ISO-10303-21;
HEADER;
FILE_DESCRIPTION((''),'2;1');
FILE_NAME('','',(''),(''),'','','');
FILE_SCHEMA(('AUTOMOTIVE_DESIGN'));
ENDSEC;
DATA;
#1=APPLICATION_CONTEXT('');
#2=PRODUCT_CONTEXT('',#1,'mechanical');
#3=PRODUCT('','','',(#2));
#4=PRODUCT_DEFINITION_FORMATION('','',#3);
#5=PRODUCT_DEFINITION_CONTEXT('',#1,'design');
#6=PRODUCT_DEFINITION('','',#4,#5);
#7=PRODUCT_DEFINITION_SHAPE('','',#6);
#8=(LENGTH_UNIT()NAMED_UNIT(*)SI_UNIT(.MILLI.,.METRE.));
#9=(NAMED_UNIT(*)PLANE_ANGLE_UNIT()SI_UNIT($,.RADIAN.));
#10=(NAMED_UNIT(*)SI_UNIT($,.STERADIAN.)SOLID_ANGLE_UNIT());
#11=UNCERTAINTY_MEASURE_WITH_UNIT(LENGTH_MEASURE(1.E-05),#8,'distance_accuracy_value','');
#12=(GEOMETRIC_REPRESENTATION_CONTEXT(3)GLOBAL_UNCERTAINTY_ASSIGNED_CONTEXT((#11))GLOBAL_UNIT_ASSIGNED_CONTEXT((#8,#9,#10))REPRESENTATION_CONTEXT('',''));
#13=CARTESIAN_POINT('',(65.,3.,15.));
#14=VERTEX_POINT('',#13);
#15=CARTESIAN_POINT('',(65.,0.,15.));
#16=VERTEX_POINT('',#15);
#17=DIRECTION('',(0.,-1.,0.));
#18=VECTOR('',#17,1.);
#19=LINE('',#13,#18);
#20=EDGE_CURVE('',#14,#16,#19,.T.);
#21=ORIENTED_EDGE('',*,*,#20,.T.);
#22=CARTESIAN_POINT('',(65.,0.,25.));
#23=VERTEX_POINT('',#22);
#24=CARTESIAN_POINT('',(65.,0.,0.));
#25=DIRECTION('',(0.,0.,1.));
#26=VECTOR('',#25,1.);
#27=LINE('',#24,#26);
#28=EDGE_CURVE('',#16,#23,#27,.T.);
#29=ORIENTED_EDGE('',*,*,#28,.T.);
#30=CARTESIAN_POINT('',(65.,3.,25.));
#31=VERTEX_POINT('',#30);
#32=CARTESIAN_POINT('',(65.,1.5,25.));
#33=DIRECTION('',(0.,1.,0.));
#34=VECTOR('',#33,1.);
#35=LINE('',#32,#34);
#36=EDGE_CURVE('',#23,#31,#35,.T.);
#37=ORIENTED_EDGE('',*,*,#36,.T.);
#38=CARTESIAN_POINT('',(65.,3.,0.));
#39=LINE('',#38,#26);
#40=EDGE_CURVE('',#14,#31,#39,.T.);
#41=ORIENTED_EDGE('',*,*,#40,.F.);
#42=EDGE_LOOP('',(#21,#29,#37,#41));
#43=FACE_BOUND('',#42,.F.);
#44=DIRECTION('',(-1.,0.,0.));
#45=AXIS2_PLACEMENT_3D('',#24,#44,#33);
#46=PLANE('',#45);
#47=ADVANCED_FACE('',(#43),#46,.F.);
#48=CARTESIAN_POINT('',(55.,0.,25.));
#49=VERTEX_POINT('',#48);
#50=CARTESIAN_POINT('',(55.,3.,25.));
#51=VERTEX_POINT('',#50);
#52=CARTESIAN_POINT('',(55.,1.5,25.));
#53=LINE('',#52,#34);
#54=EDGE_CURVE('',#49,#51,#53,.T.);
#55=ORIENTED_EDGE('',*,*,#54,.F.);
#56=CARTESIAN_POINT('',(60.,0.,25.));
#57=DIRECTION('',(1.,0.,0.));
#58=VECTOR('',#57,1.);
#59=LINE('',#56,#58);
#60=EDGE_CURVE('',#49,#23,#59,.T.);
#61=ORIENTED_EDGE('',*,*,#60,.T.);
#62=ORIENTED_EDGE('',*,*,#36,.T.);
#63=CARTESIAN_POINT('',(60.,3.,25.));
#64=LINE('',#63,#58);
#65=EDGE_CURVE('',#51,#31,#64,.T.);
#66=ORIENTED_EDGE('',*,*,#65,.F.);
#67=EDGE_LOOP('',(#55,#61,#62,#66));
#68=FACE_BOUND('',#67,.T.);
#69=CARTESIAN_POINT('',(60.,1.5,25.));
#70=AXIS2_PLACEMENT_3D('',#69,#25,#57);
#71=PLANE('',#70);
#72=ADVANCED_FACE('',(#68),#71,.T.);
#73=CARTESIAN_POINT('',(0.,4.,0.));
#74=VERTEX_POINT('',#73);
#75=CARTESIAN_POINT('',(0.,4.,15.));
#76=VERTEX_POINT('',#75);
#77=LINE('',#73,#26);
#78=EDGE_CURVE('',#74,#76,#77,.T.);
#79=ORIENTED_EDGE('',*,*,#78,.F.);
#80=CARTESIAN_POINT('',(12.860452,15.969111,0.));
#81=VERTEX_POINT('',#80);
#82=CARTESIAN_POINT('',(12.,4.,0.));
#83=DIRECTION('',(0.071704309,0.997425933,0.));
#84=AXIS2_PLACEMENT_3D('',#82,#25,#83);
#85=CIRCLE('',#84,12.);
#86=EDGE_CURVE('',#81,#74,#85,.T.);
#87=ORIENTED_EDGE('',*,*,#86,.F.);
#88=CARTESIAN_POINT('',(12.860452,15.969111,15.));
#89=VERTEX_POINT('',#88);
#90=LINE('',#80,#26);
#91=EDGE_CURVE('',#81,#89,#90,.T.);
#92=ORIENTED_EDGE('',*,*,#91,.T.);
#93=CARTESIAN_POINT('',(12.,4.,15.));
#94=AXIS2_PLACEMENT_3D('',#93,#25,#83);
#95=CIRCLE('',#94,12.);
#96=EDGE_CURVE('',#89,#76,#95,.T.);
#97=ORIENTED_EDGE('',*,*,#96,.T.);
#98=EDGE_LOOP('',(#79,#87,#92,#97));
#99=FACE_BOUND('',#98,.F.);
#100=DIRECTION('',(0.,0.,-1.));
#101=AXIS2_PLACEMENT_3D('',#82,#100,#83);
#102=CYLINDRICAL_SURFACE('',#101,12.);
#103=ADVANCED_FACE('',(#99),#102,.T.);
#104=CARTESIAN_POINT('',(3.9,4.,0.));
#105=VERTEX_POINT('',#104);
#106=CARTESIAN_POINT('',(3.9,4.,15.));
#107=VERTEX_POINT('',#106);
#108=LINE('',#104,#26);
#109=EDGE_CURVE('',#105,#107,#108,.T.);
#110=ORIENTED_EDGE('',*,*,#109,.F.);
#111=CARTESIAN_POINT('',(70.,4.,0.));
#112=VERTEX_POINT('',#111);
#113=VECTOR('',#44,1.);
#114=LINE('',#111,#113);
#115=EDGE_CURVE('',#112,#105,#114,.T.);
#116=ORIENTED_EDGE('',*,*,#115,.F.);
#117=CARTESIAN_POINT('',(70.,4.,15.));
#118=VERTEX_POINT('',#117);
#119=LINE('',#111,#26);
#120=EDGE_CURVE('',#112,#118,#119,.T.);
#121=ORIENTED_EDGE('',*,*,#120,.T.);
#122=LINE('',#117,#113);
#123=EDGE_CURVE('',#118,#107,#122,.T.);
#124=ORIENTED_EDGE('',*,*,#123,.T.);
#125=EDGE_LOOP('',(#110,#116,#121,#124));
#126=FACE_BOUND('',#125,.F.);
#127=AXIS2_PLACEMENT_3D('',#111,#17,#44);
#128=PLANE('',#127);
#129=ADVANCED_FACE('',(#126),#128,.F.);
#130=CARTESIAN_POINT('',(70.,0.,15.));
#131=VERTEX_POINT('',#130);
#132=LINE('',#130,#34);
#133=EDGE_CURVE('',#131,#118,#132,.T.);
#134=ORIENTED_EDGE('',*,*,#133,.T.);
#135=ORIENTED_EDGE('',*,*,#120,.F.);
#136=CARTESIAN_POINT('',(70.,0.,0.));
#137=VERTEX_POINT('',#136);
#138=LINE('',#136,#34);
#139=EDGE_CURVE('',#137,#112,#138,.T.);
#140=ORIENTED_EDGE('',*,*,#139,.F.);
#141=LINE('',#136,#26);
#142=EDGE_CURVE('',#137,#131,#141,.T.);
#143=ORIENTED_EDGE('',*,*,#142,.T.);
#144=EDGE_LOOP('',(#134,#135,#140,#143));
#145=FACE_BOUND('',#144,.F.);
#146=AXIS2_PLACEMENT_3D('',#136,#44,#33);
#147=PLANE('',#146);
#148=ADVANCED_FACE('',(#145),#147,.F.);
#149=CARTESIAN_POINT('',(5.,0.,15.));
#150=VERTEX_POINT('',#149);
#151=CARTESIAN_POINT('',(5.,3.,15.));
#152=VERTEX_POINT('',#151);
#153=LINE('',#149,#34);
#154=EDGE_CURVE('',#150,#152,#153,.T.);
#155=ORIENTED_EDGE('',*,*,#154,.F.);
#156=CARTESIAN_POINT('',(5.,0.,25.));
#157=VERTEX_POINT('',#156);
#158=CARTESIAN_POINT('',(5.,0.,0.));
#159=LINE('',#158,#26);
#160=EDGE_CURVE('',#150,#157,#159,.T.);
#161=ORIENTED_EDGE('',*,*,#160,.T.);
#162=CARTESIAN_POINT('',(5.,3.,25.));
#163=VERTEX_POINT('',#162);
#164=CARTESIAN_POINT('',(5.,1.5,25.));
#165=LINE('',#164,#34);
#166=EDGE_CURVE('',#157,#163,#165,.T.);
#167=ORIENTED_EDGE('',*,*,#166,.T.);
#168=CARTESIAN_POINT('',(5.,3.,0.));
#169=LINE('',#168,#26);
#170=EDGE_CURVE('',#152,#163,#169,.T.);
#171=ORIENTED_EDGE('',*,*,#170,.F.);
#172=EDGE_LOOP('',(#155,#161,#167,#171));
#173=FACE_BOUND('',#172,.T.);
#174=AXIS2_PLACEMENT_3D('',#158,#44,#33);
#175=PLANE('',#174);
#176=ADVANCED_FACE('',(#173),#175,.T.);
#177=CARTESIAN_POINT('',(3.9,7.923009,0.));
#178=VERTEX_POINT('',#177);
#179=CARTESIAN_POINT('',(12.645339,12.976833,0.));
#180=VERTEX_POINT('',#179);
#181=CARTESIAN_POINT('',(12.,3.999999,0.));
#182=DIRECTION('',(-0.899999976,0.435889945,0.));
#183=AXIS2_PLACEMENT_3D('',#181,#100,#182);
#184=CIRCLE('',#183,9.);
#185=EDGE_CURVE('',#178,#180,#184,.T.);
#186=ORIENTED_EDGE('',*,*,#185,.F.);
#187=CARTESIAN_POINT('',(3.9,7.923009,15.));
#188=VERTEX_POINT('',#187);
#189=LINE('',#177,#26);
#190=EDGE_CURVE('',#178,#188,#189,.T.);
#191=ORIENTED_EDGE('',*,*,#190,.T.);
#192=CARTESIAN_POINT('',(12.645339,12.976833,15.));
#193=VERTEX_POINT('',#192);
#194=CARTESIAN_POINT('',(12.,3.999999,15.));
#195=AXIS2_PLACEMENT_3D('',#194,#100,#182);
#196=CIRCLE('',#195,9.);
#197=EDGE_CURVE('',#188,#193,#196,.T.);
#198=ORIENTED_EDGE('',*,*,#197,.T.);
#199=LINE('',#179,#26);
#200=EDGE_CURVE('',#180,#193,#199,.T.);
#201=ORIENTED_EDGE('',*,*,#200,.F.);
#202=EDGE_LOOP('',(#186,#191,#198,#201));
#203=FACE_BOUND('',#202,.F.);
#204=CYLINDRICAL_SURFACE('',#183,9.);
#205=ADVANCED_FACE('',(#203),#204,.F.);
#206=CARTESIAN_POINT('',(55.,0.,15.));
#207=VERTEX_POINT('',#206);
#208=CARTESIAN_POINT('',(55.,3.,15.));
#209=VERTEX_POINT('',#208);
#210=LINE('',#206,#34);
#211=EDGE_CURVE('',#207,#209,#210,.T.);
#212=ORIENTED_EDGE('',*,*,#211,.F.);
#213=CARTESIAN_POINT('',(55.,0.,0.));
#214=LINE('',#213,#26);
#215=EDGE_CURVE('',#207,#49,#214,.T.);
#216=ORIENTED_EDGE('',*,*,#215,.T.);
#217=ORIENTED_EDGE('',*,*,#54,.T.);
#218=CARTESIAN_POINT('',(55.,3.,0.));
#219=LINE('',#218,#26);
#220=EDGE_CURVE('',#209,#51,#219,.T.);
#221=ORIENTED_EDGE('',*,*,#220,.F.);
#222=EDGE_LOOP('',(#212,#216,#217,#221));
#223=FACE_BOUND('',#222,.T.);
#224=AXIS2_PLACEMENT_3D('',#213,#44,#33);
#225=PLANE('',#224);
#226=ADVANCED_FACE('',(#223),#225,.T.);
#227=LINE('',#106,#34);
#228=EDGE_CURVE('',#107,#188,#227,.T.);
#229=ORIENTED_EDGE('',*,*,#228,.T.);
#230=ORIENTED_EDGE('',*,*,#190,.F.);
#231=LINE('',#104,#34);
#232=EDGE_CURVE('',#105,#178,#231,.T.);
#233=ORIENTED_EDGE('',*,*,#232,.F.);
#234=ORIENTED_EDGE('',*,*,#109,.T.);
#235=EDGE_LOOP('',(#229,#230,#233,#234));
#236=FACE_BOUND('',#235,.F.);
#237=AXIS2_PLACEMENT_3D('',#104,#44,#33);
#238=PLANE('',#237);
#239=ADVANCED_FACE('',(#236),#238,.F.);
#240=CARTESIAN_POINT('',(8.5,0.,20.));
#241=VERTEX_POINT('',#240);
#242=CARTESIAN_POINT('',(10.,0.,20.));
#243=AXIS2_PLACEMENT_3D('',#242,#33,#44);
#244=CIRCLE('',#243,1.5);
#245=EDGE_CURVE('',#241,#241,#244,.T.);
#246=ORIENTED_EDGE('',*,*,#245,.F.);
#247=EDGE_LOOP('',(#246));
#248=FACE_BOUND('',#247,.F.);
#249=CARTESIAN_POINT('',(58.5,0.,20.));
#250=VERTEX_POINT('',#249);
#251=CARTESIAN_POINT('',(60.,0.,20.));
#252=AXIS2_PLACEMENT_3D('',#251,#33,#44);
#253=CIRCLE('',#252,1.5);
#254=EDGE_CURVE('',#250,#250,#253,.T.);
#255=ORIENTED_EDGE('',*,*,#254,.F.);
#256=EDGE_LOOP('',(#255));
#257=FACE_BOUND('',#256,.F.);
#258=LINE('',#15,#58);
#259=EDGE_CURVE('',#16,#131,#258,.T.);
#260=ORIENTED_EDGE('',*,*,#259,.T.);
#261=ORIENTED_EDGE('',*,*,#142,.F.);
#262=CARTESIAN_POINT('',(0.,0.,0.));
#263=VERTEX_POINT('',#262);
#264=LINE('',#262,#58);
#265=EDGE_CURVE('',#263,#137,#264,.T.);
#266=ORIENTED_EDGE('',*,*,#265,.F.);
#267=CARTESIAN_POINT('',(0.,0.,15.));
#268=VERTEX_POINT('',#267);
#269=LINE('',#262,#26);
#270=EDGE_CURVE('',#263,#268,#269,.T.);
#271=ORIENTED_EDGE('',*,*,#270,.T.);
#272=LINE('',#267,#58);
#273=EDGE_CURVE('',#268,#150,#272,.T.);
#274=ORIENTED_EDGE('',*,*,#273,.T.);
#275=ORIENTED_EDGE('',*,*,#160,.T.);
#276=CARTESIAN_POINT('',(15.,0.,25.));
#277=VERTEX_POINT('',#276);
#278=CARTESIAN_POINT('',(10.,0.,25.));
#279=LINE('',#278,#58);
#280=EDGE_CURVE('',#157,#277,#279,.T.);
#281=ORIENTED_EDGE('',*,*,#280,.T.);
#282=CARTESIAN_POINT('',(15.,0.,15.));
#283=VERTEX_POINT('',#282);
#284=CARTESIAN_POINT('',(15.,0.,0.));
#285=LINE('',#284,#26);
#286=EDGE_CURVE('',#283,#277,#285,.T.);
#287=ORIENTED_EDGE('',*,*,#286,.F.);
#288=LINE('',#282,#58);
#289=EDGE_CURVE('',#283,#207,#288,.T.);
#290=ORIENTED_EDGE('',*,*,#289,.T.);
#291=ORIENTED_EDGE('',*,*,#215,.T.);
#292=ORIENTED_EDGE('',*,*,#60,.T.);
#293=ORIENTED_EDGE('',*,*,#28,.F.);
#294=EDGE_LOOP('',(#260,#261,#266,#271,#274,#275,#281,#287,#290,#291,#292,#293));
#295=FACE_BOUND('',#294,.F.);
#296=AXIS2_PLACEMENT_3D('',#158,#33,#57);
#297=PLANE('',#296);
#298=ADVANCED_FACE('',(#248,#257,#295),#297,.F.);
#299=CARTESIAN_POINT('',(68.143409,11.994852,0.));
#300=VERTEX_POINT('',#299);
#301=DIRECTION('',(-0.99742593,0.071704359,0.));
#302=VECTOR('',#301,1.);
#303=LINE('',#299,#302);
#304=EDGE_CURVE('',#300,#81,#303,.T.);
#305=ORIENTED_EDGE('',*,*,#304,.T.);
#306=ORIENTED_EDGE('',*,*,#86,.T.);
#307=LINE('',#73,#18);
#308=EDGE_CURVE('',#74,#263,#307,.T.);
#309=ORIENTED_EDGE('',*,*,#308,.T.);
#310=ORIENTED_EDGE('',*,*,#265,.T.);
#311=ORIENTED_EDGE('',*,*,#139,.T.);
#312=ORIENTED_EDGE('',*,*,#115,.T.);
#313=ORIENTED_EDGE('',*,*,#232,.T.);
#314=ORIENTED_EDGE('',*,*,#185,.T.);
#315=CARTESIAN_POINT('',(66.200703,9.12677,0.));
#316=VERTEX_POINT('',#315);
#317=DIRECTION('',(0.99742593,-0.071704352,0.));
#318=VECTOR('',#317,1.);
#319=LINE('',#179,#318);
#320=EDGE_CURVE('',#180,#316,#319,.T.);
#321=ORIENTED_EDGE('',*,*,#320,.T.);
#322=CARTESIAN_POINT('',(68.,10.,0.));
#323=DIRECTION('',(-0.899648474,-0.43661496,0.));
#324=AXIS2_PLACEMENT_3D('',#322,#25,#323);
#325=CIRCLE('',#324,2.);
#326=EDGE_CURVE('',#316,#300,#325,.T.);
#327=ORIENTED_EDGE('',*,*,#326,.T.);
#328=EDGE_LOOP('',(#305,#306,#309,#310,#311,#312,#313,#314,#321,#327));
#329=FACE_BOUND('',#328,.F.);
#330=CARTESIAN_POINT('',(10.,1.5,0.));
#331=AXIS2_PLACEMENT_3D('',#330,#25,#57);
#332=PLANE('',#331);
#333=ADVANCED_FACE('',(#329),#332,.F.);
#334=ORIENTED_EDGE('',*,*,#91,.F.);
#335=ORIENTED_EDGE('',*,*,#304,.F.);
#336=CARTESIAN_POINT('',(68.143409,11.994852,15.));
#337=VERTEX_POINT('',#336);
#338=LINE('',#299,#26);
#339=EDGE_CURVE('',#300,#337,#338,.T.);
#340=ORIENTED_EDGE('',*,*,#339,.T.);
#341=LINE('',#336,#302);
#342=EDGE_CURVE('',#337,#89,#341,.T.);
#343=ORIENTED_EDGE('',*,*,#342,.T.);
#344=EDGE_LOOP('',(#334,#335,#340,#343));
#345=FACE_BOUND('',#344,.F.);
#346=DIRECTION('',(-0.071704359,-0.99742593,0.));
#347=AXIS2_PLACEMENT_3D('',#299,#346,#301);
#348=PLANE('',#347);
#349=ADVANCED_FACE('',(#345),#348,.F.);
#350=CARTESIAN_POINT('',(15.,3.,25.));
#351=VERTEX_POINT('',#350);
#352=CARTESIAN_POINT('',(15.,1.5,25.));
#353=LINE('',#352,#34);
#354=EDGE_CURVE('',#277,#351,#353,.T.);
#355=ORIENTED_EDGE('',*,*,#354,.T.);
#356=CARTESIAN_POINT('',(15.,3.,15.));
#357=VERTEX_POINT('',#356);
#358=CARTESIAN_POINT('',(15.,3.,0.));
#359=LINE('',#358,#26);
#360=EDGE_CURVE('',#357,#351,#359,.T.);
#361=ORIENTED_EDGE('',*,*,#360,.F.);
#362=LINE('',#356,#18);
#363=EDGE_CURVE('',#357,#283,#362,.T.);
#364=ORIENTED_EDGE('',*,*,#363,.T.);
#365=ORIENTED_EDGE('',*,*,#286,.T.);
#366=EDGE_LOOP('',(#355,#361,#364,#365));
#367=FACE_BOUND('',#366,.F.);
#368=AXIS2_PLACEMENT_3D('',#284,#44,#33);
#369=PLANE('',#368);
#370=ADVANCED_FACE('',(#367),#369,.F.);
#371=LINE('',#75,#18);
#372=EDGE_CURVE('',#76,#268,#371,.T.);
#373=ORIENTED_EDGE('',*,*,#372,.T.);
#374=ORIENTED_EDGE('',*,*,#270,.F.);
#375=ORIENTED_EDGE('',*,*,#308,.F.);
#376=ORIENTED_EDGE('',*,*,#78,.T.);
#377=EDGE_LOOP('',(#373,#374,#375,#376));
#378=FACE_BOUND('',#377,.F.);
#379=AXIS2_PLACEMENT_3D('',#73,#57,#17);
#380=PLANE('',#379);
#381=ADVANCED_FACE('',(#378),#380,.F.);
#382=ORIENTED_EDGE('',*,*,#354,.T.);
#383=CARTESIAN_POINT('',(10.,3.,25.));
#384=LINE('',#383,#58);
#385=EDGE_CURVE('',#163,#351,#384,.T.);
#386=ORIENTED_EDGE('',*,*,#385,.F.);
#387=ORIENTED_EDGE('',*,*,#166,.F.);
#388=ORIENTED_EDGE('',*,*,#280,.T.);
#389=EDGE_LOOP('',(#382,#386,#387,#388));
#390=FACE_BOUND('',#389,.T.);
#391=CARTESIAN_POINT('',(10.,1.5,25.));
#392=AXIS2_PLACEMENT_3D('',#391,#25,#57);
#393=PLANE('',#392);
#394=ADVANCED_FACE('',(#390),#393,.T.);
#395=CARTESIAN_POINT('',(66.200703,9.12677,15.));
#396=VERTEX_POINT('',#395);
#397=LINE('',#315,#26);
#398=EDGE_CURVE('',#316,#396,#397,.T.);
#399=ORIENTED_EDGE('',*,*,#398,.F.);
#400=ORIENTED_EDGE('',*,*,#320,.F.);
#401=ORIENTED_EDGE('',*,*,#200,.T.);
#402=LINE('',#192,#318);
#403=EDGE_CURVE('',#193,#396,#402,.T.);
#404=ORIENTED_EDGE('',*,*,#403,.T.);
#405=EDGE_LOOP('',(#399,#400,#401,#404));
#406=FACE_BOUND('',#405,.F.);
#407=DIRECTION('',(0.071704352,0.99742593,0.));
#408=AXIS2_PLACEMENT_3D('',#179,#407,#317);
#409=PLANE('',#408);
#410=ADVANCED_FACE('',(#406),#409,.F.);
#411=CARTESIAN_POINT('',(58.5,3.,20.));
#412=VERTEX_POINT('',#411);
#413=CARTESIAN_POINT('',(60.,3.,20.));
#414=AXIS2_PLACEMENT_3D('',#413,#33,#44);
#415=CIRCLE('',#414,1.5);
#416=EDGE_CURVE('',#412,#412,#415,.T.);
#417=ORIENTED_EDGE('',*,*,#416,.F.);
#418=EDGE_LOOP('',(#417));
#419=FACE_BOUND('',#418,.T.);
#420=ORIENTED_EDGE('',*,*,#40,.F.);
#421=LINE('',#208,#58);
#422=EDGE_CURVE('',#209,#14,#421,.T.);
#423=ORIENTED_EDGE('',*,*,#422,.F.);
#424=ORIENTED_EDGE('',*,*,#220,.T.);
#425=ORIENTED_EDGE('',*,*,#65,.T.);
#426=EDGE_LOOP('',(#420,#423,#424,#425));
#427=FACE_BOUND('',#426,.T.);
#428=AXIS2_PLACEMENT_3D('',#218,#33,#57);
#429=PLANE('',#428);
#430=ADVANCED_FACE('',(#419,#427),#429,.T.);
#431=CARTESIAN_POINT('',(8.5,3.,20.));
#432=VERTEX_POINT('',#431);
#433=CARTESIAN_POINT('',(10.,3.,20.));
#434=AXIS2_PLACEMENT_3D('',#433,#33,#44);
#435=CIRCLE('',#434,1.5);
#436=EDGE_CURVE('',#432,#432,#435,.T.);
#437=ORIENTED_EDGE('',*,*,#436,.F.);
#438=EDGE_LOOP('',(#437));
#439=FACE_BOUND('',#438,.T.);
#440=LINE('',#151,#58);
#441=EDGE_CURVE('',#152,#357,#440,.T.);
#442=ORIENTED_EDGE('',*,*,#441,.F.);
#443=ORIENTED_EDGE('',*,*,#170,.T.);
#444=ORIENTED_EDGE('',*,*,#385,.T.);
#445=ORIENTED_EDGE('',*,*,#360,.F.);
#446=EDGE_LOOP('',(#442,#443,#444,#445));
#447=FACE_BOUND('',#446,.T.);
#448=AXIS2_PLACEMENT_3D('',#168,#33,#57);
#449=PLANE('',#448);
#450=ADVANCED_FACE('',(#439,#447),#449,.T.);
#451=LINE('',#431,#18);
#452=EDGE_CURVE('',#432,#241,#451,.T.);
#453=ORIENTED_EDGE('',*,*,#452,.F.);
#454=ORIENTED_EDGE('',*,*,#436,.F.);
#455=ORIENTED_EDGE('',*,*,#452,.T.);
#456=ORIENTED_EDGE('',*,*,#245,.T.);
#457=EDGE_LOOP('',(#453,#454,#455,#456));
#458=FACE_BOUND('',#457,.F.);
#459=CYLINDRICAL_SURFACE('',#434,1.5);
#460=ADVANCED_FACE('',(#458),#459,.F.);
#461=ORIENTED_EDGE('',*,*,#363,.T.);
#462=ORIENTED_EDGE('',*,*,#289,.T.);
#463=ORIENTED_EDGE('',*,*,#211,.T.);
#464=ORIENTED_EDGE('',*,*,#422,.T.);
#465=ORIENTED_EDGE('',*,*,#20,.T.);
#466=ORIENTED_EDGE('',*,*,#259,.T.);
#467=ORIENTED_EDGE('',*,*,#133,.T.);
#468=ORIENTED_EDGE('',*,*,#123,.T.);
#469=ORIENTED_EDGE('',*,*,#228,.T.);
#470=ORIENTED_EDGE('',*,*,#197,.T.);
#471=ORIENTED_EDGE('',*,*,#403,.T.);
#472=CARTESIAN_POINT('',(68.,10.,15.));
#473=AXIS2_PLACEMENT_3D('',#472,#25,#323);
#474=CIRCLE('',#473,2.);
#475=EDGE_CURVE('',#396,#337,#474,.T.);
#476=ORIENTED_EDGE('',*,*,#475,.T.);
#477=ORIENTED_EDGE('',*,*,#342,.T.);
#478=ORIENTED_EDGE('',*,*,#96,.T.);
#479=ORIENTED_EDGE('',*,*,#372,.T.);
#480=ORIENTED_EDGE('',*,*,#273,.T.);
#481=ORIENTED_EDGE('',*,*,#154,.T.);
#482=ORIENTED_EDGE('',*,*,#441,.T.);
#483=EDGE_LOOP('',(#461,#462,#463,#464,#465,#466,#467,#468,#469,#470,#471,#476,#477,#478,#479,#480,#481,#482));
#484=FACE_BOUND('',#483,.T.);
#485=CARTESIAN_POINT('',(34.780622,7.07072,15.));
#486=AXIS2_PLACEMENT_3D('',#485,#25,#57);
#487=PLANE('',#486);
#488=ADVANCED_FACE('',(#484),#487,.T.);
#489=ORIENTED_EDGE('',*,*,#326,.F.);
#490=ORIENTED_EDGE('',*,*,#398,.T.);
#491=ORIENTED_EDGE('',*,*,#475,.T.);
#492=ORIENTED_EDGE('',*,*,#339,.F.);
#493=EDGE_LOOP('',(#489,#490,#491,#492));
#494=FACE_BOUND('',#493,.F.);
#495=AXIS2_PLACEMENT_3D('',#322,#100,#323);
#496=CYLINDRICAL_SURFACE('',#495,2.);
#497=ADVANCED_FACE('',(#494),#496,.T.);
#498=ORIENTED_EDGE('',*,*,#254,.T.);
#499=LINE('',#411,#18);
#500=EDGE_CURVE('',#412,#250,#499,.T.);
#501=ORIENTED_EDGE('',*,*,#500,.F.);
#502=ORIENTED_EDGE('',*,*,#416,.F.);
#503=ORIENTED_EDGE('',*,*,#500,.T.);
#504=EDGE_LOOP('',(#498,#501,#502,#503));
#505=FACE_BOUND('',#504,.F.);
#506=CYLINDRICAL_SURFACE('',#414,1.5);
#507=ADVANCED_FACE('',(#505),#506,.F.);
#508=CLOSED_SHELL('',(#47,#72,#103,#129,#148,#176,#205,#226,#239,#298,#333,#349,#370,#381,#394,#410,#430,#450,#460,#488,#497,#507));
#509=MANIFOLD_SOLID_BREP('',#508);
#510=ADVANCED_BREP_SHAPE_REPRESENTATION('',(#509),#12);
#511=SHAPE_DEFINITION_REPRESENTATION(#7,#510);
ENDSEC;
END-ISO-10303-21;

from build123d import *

# Parameters (mm, degrees)
F1_DEPTH = 15
F0_W     = 10
F0_H     = 3
F2_DEPTH = 25
F4_R     = 1.5
F3_R     = 1.5
F5_DEPTH = 5


with BuildPart() as f1:
    # F0 (on Top) → F1 (new body)
    with BuildSketch(Plane.XY):
        with BuildLine():
            Line((0, 4), (0, 0))
            Line((0, 0), (5, 0))
            Line((5, 0), (5, 3))
            Line((5, 3), (15, 3))
            Line((15, 3), (15, 0))
            Line((15, 0), (55, 0))
            Line((55, 0), (55, 3))
            Line((55, 3), (65, 3))
            Line((65, 3), (65, 0))
            Line((65, 0), (70, 0))
            Line((70, 0), (70, 4))
            Line((70, 4), (3.9, 4))
            Line((3.9, 4), (3.9, 7.923009))
            ThreePointArc((3.9, 7.923009), (7.496859, 11.792414), (12.645339, 12.976833))
            Line((12.645339, 12.976833), (66.200703, 9.12677))
            ThreePointArc((66.200703, 9.12677), (69.655888, 8.878378), (68.143409, 11.994852))
            Line((68.143409, 11.994852), (12.860452, 15.969111))
            ThreePointArc((12.860452, 15.969111), (3.824593, 12.784231), (0, 4))
        make_face()
    extrude(amount=F1_DEPTH)

    # F0 (on Top) → F2 (join)
    with BuildSketch(Plane.XY):
        with Locations((10, 1.5)):
            Rectangle(F0_W, F0_H)
        with Locations((60, 1.5)):
            Rectangle(F0_W, F0_H)
    extrude(amount=F2_DEPTH)

    # F4 (on face) + F3 (on face) → F5 (cut)
    with BuildSketch(Plane(origin=(0, 3, 0), x_dir=(-1, 0, 0), z_dir=(0, 1, 0))):
        with Locations((-60, 20)):
            Circle(F4_R)
    with BuildSketch(Plane(origin=(0, 3, 0), x_dir=(-1, 0, 0), z_dir=(0, 1, 0))):
        with Locations((-10, 20)):
            Circle(F3_R)
    extrude(amount=-F5_DEPTH, mode=Mode.SUBTRACT)


solid = f1.part
